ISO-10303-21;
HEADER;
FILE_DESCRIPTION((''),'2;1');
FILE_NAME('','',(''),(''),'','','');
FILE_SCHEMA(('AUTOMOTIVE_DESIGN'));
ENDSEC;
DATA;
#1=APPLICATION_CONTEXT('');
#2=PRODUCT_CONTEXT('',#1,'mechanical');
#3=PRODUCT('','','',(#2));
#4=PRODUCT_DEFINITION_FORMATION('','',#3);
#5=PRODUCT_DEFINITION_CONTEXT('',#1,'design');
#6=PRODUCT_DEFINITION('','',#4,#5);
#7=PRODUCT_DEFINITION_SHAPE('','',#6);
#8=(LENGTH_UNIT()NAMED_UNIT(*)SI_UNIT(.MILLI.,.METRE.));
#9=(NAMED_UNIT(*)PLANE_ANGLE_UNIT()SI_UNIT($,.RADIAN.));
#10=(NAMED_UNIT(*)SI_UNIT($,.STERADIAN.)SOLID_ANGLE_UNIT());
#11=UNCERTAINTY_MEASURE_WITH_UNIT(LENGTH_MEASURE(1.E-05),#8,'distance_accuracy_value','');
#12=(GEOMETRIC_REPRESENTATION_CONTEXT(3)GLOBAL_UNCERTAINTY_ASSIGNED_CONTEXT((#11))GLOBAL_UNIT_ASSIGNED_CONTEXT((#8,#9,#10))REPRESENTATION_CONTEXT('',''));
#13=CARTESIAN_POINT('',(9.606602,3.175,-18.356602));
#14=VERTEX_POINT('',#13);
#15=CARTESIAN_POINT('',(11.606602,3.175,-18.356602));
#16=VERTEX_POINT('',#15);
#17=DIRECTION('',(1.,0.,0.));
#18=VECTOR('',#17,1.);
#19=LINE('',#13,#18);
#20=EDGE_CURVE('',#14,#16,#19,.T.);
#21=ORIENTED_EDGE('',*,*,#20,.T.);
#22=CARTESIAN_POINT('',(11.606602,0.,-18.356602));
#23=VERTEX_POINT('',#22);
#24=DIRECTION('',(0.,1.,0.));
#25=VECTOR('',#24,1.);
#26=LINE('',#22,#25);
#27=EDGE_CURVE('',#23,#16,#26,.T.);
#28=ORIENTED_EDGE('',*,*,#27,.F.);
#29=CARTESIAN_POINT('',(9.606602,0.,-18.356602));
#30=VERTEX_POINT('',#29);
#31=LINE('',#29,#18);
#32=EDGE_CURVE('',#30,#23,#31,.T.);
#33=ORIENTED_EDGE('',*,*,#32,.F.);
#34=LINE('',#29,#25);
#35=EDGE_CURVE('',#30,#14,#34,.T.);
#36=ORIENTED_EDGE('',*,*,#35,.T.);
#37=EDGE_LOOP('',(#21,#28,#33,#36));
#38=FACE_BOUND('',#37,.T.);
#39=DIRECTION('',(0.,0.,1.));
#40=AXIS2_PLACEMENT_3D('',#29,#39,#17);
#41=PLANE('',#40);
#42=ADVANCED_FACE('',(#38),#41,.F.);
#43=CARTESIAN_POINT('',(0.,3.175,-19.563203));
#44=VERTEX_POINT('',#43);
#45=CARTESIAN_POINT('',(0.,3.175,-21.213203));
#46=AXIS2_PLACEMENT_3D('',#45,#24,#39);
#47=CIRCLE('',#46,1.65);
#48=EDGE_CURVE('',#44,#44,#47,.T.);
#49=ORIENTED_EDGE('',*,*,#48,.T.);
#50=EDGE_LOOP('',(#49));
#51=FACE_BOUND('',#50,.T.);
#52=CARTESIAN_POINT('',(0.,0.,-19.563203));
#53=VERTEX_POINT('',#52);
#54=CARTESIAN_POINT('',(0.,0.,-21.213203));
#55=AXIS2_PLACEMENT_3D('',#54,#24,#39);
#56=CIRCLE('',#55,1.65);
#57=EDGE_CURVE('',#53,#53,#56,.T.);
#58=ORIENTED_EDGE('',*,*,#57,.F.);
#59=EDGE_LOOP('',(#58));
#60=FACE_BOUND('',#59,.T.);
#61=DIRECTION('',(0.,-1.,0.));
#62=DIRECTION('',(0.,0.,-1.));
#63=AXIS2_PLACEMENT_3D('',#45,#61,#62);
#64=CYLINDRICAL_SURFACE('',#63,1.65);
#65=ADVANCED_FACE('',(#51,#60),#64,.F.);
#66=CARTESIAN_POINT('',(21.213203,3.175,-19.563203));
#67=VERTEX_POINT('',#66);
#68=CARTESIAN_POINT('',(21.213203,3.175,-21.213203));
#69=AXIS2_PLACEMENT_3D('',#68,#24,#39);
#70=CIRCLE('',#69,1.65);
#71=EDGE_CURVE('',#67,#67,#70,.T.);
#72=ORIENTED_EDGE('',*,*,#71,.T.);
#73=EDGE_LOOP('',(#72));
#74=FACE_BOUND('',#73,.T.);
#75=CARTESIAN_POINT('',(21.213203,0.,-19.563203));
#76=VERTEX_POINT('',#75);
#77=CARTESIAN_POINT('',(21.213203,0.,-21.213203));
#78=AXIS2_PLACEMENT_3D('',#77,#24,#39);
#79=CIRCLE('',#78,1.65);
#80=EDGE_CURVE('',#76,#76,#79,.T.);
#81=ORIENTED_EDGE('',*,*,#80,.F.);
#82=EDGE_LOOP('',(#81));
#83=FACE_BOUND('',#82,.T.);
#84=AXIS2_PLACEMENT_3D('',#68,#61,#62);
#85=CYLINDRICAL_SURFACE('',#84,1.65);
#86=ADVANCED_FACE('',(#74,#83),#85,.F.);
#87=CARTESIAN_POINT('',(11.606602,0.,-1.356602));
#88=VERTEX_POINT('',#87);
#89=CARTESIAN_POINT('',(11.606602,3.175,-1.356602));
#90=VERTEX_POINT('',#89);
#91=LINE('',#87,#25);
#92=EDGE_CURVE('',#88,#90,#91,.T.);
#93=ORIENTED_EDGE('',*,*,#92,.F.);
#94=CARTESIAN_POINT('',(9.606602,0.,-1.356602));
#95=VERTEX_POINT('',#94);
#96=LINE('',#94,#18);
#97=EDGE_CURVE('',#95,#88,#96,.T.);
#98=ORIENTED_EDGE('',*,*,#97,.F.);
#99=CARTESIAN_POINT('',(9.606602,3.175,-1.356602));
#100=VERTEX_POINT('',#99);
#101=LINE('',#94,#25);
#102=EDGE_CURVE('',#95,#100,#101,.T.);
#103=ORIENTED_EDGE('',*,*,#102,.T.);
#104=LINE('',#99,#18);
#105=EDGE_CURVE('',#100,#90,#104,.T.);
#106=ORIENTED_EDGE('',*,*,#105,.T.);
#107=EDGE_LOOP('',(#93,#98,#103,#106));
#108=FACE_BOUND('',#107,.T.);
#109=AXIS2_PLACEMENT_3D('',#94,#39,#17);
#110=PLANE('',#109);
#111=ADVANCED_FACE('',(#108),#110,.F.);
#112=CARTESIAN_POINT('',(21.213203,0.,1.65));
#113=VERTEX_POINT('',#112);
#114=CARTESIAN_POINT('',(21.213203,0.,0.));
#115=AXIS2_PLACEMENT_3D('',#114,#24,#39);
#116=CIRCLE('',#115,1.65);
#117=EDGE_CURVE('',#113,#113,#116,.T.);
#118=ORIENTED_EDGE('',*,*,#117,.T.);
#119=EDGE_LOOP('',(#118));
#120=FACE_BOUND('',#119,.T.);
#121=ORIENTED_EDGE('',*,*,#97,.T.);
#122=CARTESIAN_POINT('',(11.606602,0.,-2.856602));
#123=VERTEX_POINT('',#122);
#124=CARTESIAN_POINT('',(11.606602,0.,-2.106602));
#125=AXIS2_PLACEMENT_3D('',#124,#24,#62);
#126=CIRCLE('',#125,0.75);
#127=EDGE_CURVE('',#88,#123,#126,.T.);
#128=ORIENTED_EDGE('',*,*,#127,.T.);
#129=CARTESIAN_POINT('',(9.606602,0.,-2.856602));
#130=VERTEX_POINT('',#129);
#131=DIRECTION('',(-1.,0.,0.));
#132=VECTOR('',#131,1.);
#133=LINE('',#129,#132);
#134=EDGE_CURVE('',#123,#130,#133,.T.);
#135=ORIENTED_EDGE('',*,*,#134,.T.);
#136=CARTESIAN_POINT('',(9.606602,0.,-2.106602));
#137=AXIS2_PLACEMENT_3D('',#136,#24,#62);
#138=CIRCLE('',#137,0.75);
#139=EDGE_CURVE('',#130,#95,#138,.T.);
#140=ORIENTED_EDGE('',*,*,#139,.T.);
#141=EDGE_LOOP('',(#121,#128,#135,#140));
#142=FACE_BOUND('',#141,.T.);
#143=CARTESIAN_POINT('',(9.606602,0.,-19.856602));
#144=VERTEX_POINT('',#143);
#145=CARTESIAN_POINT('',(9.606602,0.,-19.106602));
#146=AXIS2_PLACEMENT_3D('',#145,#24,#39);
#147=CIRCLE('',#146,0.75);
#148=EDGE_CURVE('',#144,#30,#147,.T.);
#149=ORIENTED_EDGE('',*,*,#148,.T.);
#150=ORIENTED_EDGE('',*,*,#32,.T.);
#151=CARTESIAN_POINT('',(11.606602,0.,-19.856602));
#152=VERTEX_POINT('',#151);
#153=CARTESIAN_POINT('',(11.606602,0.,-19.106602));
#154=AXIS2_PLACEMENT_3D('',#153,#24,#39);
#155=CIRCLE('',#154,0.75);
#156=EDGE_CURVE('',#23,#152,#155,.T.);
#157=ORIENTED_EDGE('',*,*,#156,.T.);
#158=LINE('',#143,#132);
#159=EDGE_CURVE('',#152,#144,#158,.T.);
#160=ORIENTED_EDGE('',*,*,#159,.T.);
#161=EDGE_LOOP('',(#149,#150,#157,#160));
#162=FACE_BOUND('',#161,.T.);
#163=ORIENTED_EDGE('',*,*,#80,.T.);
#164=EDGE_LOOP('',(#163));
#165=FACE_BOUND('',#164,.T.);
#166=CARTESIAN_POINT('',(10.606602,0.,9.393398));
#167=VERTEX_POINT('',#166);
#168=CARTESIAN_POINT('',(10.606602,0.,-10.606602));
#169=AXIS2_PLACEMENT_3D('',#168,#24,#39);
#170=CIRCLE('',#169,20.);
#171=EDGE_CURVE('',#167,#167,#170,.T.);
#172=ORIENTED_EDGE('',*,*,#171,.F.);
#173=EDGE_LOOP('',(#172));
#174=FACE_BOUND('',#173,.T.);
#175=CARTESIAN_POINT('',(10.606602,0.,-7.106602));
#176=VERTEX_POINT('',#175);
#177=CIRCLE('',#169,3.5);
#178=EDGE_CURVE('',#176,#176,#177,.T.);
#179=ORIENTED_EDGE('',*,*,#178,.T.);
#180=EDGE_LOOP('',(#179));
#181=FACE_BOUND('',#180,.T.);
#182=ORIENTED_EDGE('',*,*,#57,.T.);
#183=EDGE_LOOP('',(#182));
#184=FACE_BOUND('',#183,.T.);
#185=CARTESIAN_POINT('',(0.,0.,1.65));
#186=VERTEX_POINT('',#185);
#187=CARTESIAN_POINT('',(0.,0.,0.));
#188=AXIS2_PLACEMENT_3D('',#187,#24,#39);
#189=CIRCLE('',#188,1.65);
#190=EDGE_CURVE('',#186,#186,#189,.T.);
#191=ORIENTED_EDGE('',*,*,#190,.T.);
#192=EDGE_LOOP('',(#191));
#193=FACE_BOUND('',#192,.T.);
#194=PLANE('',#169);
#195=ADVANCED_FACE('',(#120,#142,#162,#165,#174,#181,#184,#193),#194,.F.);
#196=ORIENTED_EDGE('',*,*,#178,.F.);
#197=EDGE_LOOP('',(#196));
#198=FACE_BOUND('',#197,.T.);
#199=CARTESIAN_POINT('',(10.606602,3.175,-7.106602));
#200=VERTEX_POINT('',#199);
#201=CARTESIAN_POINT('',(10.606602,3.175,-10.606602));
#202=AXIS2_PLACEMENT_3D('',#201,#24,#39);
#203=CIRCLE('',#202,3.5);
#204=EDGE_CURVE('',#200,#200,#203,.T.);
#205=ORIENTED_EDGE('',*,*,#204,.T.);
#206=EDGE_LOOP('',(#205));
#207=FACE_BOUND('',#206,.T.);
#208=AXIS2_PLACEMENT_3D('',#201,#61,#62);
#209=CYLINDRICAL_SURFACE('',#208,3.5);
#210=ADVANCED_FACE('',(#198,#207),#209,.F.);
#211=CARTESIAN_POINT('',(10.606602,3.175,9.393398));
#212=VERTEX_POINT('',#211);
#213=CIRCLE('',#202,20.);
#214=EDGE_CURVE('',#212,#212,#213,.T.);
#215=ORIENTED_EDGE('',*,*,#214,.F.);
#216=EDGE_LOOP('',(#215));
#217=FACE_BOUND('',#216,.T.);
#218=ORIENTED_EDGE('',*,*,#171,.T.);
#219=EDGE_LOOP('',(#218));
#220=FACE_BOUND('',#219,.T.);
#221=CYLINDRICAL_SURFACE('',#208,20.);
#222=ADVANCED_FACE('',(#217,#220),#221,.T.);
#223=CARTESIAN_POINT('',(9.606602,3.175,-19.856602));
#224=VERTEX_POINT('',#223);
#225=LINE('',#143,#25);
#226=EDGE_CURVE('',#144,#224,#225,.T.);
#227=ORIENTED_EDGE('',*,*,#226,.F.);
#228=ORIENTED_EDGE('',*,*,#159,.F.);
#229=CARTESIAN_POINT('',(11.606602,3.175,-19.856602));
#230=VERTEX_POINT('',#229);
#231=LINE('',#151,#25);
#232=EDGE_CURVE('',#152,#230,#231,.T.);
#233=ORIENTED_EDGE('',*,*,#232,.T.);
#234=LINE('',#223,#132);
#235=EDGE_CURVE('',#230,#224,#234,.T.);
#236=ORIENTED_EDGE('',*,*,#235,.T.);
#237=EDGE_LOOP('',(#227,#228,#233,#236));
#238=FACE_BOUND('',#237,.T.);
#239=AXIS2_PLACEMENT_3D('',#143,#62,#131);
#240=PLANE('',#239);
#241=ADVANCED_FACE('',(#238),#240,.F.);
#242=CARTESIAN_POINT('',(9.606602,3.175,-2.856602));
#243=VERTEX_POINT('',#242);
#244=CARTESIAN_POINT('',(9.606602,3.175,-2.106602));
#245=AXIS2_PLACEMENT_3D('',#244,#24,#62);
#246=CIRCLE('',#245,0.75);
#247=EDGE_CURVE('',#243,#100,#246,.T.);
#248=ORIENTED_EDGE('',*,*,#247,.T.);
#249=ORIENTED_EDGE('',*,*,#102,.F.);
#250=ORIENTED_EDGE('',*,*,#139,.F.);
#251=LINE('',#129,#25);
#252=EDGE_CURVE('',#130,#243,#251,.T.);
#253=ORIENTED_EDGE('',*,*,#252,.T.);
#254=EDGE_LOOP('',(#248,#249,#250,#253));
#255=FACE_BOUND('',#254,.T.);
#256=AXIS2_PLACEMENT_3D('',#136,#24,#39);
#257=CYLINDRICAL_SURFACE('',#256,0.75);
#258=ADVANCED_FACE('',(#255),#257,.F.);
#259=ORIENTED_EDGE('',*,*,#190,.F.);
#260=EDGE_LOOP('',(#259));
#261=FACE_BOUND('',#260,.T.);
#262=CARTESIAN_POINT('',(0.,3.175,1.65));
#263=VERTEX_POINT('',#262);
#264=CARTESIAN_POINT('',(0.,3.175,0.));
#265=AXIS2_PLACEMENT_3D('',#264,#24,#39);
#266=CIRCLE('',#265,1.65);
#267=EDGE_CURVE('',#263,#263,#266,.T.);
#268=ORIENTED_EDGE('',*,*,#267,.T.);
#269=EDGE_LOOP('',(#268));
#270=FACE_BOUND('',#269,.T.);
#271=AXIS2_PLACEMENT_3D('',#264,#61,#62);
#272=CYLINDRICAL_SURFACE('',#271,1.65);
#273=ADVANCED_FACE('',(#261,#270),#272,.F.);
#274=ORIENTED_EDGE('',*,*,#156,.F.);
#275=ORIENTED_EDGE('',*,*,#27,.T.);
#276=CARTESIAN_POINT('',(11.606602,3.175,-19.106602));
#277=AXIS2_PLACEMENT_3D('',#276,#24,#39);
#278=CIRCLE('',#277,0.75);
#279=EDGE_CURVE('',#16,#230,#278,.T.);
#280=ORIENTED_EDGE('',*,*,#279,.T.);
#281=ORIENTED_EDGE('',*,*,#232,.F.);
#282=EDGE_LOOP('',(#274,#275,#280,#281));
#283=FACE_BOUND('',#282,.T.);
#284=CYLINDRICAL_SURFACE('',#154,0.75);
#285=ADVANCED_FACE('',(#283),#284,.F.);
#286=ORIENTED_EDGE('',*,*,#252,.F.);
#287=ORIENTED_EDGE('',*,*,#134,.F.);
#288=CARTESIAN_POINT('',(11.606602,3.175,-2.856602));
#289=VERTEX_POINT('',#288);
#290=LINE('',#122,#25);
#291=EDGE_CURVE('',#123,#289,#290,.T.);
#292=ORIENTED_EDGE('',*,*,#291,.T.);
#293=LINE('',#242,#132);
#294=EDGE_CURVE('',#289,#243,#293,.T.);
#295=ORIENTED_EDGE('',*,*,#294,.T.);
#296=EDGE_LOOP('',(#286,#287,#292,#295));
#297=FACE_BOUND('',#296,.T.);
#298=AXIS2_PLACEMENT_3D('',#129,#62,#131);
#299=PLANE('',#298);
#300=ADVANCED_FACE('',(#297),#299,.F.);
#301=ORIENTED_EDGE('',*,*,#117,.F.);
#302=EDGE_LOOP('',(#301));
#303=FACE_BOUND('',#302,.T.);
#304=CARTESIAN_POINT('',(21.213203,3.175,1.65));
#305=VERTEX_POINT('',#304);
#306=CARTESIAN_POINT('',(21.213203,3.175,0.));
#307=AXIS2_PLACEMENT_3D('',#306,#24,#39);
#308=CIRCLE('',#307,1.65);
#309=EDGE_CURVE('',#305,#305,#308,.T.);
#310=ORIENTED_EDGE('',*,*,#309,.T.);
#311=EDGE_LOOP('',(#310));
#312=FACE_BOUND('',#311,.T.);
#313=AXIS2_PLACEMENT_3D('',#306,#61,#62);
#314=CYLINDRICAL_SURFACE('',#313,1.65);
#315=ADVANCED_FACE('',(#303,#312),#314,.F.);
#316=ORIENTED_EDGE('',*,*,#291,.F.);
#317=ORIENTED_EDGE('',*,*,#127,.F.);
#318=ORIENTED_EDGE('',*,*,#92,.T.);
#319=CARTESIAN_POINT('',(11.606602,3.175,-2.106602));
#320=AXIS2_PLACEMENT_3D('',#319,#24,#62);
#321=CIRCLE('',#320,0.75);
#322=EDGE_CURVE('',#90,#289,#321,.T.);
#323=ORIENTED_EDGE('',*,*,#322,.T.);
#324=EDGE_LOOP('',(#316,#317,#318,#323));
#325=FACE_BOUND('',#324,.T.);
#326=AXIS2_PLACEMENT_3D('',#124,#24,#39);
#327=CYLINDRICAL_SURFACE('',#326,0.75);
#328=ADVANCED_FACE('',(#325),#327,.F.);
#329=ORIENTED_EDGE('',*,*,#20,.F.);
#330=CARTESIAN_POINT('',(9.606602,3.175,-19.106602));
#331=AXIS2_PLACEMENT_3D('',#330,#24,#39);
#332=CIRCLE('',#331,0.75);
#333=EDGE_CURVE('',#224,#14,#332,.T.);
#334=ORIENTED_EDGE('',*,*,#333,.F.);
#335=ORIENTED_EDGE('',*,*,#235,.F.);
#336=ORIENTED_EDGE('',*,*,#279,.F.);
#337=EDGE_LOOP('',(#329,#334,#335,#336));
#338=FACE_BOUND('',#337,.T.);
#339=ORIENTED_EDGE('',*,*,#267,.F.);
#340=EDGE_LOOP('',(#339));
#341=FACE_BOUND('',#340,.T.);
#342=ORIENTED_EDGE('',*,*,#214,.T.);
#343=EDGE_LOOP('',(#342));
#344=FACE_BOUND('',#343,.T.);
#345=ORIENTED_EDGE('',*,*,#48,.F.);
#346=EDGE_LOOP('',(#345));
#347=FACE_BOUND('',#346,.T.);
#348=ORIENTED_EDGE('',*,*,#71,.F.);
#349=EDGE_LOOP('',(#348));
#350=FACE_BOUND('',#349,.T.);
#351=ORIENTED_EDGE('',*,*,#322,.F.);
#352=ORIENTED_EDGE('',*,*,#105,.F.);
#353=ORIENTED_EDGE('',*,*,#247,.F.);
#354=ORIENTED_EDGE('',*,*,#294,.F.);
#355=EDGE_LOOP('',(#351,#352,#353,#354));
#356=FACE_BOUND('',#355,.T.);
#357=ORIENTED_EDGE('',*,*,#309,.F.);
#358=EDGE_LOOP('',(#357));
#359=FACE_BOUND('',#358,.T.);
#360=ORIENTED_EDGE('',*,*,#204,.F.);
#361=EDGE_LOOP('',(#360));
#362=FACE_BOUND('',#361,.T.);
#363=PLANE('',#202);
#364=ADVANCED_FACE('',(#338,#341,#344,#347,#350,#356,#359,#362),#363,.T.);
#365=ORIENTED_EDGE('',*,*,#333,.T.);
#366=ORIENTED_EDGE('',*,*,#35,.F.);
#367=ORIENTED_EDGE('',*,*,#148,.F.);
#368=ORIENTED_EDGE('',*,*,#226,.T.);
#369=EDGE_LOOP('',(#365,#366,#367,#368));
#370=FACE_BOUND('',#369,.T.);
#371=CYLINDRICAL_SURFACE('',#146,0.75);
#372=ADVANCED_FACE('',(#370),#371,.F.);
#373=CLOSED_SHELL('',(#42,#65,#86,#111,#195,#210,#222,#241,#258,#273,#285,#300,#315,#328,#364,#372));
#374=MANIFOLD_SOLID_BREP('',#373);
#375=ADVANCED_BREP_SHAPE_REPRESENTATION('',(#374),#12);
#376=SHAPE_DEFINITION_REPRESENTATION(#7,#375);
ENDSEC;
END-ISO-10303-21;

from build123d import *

# Parameters (mm, degrees)
SKETCH1_R           = 20
SKETCH1_R_2         = 3.5
SKETCH1_R_3         = 1.65
BOSS_EXTRUDE1_DEPTH = 3.175
CUT_EXTRUDE1_DEPTH  = 44.400561775


with BuildPart() as part:
    # Sketch1 → Boss-Extrude1 (new body)
    with BuildSketch(Plane(origin=(0, 0, 0), x_dir=(1, 0, 0), z_dir=(0, 1, 0))):
        with Locations(Location((10.606601718, 10.606601718, 0), (0, 0, 270))):
            Circle(SKETCH1_R)
        with Locations(Location((10.606601718, 10.606601718, 0), (0, 0, 270))):
            Circle(SKETCH1_R_2, mode=Mode.SUBTRACT)
        with Locations(Location((0, 21.213203436, 0), (0, 0, 270))):
            Circle(SKETCH1_R_3, mode=Mode.SUBTRACT)
        with Locations(Location((21.213203436, 21.213203436, 0), (0, 0, 270))):
            Circle(SKETCH1_R_3, mode=Mode.SUBTRACT)
        with Locations(Location((21.213203436, 0, 0), (0, 0, 270))):
            Circle(SKETCH1_R_3, mode=Mode.SUBTRACT)
        with Locations(Location((0, 0, 0), (0, 0, 270))):
            Circle(SKETCH1_R_3, mode=Mode.SUBTRACT)
    extrude(amount=BOSS_EXTRUDE1_DEPTH)

    # Sketch2 → Cut-Extrude1 (cut, through all)
    with BuildSketch(Plane(origin=(0, 3.175, 0), x_dir=(1, 0, 0), z_dir=(0, 1, 0))):
        with BuildLine():
            Line((9.606601718, 19.856601736), (11.606601718, 19.856601736))
            ThreePointArc((11.606601718, 19.856601736), (12.356601718, 19.106601736), (11.606601718, 18.356601736))
            Line((11.606601718, 18.356601736), (9.606601718, 18.356601736))
            ThreePointArc((9.606601718, 18.356601736), (8.856601718, 19.106601736), (9.606601718, 19.856601736))
        make_face()
        with BuildLine():
            Line((9.606601718, 1.3566017), (11.606601718, 1.3566017))
            ThreePointArc((11.606601718, 1.3566017), (12.356601718, 2.1066017), (11.606601718, 2.8566017))
            Line((11.606601718, 2.8566017), (9.606601718, 2.8566017))
            ThreePointArc((9.606601718, 2.8566017), (8.856601718, 2.1066017), (9.606601718, 1.3566017))
        make_face()
    extrude(amount=-CUT_EXTRUDE1_DEPTH, mode=Mode.SUBTRACT)


solid = part.part
